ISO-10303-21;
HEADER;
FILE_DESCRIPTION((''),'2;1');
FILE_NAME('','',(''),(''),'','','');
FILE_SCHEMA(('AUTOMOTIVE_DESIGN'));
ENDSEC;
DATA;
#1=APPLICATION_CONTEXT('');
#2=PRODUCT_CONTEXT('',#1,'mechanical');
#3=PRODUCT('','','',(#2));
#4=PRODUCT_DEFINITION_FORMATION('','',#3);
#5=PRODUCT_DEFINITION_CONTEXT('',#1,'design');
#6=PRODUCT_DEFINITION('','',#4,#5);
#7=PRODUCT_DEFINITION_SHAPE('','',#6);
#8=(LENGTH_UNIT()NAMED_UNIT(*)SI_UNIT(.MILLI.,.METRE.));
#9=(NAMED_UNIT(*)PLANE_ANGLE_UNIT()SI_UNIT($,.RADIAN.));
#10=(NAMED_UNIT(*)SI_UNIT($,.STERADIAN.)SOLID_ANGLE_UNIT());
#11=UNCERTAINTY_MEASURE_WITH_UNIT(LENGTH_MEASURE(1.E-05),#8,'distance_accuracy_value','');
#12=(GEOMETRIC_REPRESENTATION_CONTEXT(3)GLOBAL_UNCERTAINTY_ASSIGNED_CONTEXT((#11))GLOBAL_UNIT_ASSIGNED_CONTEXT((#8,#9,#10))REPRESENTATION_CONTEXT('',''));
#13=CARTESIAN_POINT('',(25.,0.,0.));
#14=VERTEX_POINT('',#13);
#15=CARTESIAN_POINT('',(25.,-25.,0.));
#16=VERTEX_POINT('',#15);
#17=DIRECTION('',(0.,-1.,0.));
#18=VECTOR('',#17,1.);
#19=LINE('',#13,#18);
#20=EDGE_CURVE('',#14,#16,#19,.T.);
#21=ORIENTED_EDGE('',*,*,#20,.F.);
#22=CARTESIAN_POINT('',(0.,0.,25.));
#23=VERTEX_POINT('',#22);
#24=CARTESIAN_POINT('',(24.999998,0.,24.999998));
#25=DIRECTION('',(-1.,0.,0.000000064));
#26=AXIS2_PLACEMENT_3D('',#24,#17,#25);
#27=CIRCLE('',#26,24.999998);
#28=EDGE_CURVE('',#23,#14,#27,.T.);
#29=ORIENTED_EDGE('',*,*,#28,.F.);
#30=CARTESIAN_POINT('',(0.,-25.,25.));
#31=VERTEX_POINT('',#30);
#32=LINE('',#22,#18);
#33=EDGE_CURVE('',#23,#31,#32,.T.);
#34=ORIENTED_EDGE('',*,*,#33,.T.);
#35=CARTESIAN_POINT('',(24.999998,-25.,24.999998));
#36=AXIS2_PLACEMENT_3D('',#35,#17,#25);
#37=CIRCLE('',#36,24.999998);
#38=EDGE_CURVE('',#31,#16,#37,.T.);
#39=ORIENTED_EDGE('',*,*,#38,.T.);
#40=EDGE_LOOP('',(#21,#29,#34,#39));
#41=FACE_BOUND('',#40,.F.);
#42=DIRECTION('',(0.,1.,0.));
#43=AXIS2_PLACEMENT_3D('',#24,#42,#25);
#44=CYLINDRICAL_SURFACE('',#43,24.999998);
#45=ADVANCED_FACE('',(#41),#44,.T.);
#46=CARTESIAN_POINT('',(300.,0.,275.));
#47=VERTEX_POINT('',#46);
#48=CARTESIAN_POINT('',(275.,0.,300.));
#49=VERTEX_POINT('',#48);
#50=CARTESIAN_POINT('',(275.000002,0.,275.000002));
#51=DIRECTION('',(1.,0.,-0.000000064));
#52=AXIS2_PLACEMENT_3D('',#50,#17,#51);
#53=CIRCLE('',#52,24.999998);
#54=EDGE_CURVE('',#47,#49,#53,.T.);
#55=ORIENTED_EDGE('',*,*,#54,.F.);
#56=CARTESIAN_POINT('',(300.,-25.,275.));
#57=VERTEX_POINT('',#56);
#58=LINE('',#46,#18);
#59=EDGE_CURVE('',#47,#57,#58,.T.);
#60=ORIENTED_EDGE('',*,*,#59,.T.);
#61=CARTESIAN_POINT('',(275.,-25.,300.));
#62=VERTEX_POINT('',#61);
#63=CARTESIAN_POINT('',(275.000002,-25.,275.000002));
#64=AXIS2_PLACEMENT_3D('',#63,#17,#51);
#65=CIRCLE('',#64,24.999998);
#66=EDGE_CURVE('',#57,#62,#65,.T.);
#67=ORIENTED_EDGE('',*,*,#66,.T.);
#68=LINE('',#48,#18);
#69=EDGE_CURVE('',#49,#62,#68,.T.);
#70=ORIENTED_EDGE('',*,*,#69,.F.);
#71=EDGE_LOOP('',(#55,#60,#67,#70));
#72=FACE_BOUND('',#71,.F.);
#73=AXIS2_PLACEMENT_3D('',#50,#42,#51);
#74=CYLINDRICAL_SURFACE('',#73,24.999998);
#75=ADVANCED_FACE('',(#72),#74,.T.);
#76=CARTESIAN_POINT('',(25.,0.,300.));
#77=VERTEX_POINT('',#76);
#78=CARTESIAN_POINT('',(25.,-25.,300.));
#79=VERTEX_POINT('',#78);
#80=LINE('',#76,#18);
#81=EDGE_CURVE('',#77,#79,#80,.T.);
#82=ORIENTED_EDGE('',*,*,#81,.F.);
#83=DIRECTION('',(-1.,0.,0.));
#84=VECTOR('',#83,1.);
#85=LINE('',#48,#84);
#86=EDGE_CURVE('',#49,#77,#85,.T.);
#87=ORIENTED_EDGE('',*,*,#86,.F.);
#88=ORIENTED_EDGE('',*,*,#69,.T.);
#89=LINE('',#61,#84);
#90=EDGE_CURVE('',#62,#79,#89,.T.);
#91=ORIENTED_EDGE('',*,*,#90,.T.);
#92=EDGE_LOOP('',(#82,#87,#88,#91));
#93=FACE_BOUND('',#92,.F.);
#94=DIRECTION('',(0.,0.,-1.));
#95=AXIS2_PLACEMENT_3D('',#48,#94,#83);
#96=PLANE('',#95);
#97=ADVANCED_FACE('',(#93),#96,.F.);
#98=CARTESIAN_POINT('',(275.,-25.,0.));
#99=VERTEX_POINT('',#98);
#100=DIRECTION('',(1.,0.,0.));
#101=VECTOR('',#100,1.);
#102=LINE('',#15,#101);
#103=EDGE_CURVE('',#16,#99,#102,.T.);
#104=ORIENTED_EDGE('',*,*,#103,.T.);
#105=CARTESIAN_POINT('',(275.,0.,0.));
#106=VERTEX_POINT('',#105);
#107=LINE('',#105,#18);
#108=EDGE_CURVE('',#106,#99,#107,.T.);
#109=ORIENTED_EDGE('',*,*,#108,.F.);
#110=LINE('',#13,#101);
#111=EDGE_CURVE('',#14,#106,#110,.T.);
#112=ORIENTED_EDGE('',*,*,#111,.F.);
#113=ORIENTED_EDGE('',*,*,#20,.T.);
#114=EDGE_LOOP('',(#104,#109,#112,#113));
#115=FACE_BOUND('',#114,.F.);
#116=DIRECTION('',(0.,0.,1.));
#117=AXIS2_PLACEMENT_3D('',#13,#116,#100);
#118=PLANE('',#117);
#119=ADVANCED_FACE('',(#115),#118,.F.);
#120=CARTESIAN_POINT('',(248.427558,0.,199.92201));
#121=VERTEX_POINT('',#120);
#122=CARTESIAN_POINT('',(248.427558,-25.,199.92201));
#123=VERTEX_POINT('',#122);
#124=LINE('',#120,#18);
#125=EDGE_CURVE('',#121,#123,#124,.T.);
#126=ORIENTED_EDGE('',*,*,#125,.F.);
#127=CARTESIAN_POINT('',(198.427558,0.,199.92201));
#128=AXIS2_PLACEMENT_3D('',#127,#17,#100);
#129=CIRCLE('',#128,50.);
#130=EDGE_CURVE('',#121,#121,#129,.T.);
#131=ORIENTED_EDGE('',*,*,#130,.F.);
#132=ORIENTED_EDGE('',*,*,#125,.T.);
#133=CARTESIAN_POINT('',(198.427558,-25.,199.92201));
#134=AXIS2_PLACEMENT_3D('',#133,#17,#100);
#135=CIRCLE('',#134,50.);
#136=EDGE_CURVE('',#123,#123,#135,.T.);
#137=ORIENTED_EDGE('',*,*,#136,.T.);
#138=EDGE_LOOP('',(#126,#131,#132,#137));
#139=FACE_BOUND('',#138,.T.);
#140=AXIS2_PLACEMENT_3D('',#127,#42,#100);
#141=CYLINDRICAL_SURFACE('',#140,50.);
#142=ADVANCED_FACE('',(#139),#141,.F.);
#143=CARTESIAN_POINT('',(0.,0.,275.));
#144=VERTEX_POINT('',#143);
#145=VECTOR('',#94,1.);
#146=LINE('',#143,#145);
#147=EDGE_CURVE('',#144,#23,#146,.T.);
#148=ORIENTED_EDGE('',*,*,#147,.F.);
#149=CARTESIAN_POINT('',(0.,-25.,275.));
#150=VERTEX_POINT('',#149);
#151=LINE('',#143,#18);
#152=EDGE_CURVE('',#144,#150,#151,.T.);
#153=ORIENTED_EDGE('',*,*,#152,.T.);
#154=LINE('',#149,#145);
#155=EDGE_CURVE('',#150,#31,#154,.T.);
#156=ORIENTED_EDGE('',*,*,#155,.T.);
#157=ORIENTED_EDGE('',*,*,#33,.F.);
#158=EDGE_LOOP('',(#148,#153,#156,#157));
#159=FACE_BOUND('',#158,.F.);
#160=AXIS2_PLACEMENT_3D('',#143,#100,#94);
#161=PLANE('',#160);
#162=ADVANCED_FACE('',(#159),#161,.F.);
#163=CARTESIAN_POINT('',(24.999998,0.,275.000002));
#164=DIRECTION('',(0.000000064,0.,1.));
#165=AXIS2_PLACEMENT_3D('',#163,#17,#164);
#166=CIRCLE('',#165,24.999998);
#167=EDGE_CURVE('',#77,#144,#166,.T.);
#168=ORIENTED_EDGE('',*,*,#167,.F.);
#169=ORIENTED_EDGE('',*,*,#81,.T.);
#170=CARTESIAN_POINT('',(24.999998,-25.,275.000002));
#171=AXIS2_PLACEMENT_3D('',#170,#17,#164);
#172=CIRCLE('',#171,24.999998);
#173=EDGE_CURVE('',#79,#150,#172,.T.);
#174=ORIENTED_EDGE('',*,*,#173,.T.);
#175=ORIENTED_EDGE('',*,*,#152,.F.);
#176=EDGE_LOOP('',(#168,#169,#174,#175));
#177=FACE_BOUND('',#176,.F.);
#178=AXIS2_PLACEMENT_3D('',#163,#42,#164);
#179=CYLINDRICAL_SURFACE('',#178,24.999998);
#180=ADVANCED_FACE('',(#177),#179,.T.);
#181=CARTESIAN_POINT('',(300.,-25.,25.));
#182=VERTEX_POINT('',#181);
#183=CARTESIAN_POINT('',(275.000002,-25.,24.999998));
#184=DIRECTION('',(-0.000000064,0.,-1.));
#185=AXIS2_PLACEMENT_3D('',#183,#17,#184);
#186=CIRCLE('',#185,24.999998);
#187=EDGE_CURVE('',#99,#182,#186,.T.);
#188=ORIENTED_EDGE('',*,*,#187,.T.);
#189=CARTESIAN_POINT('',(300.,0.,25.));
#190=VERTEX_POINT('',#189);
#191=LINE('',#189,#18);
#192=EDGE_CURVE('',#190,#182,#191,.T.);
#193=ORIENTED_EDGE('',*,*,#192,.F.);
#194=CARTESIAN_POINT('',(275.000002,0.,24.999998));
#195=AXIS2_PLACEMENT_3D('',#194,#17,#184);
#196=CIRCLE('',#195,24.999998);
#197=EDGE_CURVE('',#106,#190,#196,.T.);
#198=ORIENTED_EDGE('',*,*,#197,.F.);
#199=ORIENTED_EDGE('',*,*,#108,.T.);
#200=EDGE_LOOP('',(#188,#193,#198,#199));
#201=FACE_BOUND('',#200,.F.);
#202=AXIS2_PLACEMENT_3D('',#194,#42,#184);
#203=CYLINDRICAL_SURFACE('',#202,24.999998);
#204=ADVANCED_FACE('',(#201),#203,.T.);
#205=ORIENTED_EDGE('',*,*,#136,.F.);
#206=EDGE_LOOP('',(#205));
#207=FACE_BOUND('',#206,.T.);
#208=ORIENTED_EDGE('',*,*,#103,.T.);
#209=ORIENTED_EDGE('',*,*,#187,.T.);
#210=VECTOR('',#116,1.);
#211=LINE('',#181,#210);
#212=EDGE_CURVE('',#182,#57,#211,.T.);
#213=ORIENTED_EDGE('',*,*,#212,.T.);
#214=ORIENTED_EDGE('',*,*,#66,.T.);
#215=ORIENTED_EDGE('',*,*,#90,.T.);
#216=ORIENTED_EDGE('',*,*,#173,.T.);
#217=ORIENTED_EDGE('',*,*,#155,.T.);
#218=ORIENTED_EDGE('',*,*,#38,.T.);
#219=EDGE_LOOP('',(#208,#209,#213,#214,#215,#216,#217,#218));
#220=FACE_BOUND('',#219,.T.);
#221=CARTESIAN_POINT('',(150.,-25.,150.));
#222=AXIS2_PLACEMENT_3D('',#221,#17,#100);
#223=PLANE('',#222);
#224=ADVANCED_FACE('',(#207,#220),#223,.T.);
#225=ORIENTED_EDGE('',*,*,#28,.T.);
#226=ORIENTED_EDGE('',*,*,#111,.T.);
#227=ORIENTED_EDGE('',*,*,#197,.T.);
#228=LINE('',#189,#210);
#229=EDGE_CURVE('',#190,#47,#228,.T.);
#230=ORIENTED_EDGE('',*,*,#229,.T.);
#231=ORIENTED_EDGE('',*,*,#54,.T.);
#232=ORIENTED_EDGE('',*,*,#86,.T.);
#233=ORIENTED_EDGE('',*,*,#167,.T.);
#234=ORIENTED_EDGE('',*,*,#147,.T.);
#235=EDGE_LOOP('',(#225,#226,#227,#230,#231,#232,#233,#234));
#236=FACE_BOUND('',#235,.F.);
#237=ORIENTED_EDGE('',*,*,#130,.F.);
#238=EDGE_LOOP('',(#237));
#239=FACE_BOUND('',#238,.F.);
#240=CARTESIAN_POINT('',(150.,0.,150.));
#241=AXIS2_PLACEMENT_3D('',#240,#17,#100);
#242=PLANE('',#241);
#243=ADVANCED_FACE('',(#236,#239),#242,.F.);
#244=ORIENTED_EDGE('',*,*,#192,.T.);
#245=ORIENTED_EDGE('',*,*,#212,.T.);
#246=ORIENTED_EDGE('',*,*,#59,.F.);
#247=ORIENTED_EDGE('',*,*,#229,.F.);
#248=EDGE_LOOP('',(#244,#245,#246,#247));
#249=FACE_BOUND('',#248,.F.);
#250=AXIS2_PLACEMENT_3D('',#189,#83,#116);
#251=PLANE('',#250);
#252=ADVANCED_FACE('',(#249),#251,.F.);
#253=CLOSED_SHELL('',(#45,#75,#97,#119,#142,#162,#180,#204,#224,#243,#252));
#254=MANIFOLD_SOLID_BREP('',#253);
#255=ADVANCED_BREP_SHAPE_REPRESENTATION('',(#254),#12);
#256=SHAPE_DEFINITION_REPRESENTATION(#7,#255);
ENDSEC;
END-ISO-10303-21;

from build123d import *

# Parameters (mm, degrees)
F0_R     = 50
F1_DEPTH = 25


with BuildPart() as f1:
    # F0 (on Front) → F1 (new body)
    with BuildSketch(Plane.XZ):
        with BuildLine():
            ThreePointArc((0, 25), (7.32233, 7.32233), (25, 0))
            Line((25, 0), (275, 0))
            ThreePointArc((275, 0), (292.67767, 7.32233), (300, 25))
            Line((300, 25), (300, 275))
            ThreePointArc((300, 275), (292.67767, 292.67767), (275, 300))
            Line((275, 300), (25, 300))
            ThreePointArc((25, 300), (7.32233, 292.67767), (0, 275))
            Line((0, 275), (0, 25))
        make_face()
        with Locations((198.427558, 199.92201)):
            Circle(F0_R, mode=Mode.SUBTRACT)
    extrude(amount=F1_DEPTH)


solid = f1.part
